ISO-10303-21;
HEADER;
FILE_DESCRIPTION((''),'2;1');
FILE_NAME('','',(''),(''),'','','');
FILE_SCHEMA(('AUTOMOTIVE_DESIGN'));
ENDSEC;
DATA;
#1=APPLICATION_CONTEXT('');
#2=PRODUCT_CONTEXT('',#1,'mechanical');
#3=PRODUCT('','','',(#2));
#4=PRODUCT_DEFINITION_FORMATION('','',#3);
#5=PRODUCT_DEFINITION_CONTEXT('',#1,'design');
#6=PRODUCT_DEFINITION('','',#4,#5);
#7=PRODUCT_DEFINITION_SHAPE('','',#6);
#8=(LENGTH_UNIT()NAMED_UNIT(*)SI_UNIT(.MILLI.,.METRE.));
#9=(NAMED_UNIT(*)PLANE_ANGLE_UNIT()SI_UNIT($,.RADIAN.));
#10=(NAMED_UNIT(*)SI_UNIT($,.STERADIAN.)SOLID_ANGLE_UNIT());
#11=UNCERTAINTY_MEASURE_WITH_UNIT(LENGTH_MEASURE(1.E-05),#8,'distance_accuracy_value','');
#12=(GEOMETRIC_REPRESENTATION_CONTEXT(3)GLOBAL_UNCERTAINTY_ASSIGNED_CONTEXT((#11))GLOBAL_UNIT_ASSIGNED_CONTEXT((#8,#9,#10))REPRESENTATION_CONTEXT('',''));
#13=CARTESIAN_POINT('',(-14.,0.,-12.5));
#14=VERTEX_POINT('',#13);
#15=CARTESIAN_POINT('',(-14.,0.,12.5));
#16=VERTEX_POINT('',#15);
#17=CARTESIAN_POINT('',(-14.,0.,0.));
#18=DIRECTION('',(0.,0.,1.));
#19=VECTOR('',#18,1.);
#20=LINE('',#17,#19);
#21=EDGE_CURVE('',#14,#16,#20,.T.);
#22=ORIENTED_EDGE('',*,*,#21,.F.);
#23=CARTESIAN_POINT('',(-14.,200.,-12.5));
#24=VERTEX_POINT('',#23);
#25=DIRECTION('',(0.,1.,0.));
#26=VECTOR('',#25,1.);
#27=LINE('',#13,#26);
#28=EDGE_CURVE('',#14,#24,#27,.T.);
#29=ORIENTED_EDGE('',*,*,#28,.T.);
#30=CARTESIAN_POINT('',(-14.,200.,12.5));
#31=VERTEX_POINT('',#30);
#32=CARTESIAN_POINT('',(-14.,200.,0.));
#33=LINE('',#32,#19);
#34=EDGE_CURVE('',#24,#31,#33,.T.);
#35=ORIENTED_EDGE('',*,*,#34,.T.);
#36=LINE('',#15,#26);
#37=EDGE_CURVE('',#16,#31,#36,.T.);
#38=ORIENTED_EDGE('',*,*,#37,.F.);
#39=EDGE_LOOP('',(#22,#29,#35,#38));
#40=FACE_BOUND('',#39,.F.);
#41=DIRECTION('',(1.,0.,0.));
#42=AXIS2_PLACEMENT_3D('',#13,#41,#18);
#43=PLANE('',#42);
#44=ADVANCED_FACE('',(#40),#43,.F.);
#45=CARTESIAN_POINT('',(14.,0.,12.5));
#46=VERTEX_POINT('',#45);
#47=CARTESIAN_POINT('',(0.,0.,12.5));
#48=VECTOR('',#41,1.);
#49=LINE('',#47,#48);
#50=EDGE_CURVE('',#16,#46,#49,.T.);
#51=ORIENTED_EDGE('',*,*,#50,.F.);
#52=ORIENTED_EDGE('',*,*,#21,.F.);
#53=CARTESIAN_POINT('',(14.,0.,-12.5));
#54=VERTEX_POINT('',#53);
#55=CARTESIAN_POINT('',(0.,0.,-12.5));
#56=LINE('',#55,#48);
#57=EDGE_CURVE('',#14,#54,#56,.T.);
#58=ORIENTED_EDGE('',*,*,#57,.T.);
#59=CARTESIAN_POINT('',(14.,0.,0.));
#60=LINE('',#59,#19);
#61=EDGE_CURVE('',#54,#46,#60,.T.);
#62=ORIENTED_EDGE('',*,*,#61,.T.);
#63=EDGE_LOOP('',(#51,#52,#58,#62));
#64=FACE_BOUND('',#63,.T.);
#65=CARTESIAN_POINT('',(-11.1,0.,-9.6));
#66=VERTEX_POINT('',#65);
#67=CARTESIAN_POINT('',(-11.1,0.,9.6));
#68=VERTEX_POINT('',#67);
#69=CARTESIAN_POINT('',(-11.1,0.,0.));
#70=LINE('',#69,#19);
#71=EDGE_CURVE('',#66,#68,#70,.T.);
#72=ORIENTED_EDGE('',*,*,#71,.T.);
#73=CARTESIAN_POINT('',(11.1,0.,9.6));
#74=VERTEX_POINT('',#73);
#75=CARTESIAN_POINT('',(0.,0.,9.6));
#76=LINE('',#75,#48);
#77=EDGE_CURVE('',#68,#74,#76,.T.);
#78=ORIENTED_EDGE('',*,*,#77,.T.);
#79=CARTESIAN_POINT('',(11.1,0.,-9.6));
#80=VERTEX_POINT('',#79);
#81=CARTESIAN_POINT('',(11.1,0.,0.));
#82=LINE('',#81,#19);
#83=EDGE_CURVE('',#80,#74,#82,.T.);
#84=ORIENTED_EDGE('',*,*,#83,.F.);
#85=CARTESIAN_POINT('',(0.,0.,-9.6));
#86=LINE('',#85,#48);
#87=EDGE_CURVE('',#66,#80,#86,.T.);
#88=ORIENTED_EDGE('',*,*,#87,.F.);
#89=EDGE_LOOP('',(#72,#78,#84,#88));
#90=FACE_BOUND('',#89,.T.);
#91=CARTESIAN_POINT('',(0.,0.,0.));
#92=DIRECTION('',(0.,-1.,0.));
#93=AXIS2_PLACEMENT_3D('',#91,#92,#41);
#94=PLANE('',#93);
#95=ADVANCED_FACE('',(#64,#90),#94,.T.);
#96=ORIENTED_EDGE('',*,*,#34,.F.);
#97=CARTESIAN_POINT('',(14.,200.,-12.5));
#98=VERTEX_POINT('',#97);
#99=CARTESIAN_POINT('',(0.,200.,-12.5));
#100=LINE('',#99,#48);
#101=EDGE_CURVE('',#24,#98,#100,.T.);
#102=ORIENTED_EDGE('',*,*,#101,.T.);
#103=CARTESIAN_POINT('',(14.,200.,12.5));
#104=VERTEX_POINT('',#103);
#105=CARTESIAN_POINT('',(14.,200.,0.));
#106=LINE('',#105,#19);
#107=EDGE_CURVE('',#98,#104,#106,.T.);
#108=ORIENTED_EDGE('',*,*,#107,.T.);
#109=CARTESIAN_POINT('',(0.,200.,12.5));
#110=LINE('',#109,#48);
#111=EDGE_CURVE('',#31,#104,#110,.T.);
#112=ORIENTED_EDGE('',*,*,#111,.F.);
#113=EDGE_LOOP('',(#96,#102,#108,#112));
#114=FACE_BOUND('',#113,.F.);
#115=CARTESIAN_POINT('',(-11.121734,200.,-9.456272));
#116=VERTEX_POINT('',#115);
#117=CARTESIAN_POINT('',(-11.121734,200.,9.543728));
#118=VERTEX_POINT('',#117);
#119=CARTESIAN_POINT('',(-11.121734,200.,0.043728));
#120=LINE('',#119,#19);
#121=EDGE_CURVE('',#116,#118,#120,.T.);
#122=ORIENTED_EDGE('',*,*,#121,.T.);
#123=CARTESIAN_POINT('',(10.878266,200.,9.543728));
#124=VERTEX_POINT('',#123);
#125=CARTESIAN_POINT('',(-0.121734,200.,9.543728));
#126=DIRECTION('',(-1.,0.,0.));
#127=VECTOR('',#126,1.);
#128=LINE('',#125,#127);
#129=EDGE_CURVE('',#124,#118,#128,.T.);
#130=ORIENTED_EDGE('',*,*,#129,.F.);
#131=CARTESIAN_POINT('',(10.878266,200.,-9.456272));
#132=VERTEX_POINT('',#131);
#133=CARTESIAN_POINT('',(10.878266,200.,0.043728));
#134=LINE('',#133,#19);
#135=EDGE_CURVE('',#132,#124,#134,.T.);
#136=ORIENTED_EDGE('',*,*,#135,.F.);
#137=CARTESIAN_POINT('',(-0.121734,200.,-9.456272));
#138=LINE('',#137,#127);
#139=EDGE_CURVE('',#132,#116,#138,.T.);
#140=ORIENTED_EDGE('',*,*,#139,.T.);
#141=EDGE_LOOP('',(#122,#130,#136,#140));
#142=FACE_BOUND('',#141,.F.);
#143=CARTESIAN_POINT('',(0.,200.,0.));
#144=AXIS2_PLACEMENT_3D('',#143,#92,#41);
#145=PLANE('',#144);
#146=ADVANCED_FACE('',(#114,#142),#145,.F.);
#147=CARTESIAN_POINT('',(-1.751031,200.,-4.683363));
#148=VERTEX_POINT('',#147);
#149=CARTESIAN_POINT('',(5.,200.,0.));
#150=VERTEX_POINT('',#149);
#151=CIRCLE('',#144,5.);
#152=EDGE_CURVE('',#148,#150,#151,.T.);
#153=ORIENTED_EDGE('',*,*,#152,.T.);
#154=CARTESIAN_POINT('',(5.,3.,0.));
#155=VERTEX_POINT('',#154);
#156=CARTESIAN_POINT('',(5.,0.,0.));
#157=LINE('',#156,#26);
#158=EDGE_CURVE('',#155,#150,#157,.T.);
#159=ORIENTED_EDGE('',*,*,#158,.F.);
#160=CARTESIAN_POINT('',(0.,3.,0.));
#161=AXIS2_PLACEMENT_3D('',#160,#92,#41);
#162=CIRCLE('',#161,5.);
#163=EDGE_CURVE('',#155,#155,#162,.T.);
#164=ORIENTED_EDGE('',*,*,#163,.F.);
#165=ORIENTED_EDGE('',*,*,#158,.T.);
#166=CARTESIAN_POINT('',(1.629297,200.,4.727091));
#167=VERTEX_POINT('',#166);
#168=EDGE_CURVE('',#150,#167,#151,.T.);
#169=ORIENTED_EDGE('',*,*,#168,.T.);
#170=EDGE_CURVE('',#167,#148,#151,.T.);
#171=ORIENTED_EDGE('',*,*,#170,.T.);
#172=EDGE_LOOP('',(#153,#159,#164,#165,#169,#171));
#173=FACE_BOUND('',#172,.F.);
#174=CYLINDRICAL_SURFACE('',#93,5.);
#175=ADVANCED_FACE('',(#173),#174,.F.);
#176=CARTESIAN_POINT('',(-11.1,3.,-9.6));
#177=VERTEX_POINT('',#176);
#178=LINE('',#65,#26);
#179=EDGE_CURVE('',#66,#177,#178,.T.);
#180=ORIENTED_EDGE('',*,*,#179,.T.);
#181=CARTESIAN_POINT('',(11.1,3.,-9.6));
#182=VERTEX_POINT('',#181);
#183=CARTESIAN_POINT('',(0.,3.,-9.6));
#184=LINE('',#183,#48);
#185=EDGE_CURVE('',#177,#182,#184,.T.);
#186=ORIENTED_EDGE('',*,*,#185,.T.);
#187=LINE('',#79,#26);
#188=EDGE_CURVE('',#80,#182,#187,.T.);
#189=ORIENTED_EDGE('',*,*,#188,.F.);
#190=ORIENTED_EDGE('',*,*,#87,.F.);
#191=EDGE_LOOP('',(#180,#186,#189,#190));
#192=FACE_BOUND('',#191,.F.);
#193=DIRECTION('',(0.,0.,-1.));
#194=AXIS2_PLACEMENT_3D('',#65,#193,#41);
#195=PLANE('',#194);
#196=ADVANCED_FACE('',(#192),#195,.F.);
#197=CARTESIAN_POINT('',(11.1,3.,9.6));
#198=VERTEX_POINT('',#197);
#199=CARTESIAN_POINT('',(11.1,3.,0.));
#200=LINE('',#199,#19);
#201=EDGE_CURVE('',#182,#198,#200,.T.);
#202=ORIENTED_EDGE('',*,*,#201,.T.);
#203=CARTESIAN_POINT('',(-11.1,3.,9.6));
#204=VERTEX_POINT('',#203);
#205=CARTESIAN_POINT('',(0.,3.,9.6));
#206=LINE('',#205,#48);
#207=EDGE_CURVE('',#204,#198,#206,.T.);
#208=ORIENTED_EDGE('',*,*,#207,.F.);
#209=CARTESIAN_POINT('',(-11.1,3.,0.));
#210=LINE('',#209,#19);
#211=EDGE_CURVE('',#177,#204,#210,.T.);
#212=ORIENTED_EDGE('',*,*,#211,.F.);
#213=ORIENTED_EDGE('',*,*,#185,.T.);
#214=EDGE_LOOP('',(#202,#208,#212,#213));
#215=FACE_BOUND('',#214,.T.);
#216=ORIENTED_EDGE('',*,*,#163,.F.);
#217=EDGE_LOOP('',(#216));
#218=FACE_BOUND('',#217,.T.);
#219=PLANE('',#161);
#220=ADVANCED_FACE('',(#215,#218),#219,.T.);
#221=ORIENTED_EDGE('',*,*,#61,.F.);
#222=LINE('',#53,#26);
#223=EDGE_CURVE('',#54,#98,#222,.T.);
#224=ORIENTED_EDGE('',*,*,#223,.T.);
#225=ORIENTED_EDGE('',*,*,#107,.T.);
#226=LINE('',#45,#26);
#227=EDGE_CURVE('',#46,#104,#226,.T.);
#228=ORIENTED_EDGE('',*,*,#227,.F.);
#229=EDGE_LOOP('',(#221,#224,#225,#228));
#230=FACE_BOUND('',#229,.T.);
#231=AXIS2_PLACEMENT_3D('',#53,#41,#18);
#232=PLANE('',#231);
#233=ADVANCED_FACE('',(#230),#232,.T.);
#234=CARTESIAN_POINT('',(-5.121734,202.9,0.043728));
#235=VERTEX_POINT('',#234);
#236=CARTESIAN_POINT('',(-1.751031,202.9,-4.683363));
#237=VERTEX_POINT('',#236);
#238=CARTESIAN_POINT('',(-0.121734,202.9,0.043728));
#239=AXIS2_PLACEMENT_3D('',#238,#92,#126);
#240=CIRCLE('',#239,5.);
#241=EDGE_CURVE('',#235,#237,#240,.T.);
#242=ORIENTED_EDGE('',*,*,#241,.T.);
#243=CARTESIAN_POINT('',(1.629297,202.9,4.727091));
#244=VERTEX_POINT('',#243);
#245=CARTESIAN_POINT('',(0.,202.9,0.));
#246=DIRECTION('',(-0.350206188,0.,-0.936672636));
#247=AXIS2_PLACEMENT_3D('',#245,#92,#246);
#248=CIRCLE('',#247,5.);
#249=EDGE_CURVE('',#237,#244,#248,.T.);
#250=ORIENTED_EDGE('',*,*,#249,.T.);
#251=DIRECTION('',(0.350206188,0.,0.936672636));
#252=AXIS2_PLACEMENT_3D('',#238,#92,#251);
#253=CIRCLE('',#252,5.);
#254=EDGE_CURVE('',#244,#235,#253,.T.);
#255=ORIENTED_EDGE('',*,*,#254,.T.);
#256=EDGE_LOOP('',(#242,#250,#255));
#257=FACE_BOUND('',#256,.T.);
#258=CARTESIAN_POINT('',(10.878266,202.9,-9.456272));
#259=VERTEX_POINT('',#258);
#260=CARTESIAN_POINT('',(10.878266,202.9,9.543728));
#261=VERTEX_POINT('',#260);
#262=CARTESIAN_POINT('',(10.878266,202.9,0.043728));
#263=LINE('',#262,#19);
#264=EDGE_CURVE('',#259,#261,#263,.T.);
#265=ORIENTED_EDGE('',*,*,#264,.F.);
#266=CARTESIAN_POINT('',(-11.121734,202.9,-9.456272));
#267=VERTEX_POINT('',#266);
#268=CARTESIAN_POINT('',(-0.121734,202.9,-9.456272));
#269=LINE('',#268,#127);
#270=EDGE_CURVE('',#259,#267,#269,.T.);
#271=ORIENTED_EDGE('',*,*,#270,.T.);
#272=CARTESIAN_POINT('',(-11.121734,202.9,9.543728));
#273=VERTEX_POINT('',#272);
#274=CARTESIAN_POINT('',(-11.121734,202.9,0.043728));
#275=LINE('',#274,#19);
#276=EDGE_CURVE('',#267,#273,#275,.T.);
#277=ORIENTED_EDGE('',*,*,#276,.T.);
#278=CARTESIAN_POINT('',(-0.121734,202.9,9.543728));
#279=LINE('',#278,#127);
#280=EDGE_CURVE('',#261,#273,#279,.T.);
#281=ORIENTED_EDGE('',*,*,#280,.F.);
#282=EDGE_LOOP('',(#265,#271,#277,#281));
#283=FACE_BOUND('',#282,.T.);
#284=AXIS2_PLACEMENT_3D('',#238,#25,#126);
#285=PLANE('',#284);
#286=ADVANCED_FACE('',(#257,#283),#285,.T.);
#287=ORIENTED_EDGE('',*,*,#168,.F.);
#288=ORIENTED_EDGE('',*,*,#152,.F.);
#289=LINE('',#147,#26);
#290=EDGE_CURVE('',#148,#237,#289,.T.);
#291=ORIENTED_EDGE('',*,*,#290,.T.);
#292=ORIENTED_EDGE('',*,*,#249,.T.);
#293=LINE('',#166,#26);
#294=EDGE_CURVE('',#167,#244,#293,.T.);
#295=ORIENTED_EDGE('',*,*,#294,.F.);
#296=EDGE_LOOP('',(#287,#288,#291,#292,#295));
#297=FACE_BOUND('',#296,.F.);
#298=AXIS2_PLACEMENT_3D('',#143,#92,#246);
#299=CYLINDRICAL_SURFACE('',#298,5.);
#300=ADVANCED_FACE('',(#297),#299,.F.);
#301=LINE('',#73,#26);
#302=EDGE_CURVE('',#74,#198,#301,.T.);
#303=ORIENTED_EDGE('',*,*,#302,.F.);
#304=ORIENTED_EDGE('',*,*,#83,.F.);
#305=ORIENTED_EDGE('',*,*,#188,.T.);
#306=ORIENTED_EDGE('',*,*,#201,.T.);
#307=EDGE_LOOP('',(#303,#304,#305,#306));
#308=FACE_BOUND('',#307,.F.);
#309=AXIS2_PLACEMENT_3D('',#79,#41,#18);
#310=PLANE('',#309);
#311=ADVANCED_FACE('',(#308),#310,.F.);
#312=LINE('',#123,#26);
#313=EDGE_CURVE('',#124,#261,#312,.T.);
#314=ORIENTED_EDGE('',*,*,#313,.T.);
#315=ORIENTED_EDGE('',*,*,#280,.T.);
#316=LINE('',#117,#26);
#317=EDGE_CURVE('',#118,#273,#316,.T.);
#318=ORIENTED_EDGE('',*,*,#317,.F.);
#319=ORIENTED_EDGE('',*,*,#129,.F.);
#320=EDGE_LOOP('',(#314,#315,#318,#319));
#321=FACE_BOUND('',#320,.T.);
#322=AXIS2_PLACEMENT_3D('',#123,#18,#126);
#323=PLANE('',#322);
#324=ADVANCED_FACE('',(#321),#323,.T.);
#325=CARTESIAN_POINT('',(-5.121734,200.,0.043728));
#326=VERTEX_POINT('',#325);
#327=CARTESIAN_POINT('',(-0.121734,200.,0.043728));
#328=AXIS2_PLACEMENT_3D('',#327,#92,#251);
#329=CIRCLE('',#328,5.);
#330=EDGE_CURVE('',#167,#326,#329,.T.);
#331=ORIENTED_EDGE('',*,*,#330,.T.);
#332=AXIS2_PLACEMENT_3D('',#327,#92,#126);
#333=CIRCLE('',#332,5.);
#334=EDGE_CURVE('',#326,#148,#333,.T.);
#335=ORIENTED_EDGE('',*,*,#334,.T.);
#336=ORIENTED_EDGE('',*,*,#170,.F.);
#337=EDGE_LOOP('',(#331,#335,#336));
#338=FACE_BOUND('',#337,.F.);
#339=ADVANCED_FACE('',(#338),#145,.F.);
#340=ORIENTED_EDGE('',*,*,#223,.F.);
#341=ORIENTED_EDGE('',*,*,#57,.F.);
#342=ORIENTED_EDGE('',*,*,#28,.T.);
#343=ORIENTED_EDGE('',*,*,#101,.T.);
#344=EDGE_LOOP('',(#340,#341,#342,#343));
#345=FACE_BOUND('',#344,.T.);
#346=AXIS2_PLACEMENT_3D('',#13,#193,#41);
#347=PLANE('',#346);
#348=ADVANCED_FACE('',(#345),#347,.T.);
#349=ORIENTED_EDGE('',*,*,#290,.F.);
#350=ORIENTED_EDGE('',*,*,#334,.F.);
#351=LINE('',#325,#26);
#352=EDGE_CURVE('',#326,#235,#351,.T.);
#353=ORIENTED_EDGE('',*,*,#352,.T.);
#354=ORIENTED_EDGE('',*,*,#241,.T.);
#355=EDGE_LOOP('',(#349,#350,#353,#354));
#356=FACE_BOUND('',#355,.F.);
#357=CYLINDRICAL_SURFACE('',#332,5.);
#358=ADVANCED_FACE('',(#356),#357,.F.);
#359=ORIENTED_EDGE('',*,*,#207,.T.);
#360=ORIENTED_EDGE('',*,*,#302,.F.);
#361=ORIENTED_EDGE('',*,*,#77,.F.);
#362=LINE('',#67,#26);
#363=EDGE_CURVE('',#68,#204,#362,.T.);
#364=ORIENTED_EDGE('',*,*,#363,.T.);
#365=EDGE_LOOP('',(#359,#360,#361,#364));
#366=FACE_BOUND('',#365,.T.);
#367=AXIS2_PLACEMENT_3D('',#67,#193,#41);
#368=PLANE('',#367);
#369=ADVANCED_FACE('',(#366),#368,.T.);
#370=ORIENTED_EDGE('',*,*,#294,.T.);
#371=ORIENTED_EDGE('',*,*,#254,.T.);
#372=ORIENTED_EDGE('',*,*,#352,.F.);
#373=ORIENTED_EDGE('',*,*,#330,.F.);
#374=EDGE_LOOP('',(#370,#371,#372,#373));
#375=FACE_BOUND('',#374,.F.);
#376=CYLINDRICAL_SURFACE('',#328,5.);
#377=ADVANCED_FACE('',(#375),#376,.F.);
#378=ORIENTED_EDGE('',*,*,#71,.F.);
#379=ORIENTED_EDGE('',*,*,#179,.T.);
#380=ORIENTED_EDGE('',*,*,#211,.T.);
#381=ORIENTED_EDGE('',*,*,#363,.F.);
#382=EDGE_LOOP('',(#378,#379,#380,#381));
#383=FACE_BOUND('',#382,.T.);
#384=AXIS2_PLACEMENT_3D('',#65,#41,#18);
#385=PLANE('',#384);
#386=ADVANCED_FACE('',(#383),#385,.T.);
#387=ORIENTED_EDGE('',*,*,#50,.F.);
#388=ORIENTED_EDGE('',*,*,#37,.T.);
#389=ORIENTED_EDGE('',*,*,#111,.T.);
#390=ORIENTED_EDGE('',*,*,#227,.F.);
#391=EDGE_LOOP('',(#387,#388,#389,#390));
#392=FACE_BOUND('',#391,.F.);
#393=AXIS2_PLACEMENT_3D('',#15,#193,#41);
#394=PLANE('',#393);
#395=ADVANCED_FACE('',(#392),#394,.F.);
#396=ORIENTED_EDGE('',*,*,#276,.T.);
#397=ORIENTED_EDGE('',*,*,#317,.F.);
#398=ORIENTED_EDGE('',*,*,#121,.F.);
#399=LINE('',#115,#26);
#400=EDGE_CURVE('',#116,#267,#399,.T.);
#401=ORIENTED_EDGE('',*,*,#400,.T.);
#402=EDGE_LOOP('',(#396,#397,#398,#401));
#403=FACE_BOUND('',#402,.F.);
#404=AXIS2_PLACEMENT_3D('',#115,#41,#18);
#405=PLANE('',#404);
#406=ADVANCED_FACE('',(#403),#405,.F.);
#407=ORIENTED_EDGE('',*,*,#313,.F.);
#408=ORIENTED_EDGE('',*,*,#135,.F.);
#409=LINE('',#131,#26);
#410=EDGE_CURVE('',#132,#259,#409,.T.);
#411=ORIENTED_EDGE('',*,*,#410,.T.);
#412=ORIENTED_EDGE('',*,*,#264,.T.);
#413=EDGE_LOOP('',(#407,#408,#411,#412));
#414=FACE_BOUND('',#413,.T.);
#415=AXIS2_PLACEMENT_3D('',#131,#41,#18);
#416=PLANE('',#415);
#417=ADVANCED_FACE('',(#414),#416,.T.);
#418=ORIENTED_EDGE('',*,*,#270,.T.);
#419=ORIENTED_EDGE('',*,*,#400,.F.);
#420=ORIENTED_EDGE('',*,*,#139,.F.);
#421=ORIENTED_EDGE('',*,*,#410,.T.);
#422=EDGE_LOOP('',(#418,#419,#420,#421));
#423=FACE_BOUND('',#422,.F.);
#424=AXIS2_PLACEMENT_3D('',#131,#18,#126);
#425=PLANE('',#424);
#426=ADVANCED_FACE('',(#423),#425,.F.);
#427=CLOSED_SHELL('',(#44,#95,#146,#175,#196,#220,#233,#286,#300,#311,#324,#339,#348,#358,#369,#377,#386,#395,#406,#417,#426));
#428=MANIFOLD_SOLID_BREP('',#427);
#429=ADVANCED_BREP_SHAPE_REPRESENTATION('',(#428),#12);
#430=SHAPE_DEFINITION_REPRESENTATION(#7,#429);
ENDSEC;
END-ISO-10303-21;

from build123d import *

# Parameters (mm, degrees)
F0_W     = 28
F0_H     = 25
F0_W_2   = 22.2
F0_H_2   = 19.2
F0_R     = 5
F1_DEPTH = 200
F2_DEPTH = 3
F3_W     = 22
F3_H     = 19
F4_DEPTH = 2.9


with BuildPart() as f1:
    # F0 (on Front) → F1 (new body)
    with BuildSketch(Plane.XZ):
        Rectangle(F0_W, F0_H)
        Rectangle(F0_W_2, F0_H_2, mode=Mode.SUBTRACT)
        Rectangle(F0_W_2, F0_H_2)
        Circle(F0_R, mode=Mode.SUBTRACT)
    extrude(amount=-F1_DEPTH)

    # F0 (on Front) → F2 (cut)
    with BuildSketch(Plane.XZ):
        Rectangle(F0_W_2, F0_H_2)
        Circle(F0_R, mode=Mode.SUBTRACT)
    extrude(amount=-F2_DEPTH, mode=Mode.SUBTRACT)

    # F3 (on face) → F4 (join)
    with BuildSketch(Plane(origin=(0, 200, 0), x_dir=(-1, 0, 0), z_dir=(0, 1, 0))):
        with Locations((0.121734367, 0.0437281778)):
            Rectangle(F3_W, F3_H)
        with BuildLine():
            ThreePointArc((-1.6292965707, 4.7270913557), (2.9717207978, 4.1519610515), (5.121734367, 0.0437281778))
            ThreePointArc((5.121734367, 0.0437281778), (4.1927589833, -2.8591597934), (1.7510309376, -4.6833631778))
            ThreePointArc((1.7510309376, -4.6833631778), (-4.7056209416, -1.690305166), (-1.6292965707, 4.7270913557))
        make_face(mode=Mode.SUBTRACT)
    extrude(amount=F4_DEPTH)


solid = f1.part
